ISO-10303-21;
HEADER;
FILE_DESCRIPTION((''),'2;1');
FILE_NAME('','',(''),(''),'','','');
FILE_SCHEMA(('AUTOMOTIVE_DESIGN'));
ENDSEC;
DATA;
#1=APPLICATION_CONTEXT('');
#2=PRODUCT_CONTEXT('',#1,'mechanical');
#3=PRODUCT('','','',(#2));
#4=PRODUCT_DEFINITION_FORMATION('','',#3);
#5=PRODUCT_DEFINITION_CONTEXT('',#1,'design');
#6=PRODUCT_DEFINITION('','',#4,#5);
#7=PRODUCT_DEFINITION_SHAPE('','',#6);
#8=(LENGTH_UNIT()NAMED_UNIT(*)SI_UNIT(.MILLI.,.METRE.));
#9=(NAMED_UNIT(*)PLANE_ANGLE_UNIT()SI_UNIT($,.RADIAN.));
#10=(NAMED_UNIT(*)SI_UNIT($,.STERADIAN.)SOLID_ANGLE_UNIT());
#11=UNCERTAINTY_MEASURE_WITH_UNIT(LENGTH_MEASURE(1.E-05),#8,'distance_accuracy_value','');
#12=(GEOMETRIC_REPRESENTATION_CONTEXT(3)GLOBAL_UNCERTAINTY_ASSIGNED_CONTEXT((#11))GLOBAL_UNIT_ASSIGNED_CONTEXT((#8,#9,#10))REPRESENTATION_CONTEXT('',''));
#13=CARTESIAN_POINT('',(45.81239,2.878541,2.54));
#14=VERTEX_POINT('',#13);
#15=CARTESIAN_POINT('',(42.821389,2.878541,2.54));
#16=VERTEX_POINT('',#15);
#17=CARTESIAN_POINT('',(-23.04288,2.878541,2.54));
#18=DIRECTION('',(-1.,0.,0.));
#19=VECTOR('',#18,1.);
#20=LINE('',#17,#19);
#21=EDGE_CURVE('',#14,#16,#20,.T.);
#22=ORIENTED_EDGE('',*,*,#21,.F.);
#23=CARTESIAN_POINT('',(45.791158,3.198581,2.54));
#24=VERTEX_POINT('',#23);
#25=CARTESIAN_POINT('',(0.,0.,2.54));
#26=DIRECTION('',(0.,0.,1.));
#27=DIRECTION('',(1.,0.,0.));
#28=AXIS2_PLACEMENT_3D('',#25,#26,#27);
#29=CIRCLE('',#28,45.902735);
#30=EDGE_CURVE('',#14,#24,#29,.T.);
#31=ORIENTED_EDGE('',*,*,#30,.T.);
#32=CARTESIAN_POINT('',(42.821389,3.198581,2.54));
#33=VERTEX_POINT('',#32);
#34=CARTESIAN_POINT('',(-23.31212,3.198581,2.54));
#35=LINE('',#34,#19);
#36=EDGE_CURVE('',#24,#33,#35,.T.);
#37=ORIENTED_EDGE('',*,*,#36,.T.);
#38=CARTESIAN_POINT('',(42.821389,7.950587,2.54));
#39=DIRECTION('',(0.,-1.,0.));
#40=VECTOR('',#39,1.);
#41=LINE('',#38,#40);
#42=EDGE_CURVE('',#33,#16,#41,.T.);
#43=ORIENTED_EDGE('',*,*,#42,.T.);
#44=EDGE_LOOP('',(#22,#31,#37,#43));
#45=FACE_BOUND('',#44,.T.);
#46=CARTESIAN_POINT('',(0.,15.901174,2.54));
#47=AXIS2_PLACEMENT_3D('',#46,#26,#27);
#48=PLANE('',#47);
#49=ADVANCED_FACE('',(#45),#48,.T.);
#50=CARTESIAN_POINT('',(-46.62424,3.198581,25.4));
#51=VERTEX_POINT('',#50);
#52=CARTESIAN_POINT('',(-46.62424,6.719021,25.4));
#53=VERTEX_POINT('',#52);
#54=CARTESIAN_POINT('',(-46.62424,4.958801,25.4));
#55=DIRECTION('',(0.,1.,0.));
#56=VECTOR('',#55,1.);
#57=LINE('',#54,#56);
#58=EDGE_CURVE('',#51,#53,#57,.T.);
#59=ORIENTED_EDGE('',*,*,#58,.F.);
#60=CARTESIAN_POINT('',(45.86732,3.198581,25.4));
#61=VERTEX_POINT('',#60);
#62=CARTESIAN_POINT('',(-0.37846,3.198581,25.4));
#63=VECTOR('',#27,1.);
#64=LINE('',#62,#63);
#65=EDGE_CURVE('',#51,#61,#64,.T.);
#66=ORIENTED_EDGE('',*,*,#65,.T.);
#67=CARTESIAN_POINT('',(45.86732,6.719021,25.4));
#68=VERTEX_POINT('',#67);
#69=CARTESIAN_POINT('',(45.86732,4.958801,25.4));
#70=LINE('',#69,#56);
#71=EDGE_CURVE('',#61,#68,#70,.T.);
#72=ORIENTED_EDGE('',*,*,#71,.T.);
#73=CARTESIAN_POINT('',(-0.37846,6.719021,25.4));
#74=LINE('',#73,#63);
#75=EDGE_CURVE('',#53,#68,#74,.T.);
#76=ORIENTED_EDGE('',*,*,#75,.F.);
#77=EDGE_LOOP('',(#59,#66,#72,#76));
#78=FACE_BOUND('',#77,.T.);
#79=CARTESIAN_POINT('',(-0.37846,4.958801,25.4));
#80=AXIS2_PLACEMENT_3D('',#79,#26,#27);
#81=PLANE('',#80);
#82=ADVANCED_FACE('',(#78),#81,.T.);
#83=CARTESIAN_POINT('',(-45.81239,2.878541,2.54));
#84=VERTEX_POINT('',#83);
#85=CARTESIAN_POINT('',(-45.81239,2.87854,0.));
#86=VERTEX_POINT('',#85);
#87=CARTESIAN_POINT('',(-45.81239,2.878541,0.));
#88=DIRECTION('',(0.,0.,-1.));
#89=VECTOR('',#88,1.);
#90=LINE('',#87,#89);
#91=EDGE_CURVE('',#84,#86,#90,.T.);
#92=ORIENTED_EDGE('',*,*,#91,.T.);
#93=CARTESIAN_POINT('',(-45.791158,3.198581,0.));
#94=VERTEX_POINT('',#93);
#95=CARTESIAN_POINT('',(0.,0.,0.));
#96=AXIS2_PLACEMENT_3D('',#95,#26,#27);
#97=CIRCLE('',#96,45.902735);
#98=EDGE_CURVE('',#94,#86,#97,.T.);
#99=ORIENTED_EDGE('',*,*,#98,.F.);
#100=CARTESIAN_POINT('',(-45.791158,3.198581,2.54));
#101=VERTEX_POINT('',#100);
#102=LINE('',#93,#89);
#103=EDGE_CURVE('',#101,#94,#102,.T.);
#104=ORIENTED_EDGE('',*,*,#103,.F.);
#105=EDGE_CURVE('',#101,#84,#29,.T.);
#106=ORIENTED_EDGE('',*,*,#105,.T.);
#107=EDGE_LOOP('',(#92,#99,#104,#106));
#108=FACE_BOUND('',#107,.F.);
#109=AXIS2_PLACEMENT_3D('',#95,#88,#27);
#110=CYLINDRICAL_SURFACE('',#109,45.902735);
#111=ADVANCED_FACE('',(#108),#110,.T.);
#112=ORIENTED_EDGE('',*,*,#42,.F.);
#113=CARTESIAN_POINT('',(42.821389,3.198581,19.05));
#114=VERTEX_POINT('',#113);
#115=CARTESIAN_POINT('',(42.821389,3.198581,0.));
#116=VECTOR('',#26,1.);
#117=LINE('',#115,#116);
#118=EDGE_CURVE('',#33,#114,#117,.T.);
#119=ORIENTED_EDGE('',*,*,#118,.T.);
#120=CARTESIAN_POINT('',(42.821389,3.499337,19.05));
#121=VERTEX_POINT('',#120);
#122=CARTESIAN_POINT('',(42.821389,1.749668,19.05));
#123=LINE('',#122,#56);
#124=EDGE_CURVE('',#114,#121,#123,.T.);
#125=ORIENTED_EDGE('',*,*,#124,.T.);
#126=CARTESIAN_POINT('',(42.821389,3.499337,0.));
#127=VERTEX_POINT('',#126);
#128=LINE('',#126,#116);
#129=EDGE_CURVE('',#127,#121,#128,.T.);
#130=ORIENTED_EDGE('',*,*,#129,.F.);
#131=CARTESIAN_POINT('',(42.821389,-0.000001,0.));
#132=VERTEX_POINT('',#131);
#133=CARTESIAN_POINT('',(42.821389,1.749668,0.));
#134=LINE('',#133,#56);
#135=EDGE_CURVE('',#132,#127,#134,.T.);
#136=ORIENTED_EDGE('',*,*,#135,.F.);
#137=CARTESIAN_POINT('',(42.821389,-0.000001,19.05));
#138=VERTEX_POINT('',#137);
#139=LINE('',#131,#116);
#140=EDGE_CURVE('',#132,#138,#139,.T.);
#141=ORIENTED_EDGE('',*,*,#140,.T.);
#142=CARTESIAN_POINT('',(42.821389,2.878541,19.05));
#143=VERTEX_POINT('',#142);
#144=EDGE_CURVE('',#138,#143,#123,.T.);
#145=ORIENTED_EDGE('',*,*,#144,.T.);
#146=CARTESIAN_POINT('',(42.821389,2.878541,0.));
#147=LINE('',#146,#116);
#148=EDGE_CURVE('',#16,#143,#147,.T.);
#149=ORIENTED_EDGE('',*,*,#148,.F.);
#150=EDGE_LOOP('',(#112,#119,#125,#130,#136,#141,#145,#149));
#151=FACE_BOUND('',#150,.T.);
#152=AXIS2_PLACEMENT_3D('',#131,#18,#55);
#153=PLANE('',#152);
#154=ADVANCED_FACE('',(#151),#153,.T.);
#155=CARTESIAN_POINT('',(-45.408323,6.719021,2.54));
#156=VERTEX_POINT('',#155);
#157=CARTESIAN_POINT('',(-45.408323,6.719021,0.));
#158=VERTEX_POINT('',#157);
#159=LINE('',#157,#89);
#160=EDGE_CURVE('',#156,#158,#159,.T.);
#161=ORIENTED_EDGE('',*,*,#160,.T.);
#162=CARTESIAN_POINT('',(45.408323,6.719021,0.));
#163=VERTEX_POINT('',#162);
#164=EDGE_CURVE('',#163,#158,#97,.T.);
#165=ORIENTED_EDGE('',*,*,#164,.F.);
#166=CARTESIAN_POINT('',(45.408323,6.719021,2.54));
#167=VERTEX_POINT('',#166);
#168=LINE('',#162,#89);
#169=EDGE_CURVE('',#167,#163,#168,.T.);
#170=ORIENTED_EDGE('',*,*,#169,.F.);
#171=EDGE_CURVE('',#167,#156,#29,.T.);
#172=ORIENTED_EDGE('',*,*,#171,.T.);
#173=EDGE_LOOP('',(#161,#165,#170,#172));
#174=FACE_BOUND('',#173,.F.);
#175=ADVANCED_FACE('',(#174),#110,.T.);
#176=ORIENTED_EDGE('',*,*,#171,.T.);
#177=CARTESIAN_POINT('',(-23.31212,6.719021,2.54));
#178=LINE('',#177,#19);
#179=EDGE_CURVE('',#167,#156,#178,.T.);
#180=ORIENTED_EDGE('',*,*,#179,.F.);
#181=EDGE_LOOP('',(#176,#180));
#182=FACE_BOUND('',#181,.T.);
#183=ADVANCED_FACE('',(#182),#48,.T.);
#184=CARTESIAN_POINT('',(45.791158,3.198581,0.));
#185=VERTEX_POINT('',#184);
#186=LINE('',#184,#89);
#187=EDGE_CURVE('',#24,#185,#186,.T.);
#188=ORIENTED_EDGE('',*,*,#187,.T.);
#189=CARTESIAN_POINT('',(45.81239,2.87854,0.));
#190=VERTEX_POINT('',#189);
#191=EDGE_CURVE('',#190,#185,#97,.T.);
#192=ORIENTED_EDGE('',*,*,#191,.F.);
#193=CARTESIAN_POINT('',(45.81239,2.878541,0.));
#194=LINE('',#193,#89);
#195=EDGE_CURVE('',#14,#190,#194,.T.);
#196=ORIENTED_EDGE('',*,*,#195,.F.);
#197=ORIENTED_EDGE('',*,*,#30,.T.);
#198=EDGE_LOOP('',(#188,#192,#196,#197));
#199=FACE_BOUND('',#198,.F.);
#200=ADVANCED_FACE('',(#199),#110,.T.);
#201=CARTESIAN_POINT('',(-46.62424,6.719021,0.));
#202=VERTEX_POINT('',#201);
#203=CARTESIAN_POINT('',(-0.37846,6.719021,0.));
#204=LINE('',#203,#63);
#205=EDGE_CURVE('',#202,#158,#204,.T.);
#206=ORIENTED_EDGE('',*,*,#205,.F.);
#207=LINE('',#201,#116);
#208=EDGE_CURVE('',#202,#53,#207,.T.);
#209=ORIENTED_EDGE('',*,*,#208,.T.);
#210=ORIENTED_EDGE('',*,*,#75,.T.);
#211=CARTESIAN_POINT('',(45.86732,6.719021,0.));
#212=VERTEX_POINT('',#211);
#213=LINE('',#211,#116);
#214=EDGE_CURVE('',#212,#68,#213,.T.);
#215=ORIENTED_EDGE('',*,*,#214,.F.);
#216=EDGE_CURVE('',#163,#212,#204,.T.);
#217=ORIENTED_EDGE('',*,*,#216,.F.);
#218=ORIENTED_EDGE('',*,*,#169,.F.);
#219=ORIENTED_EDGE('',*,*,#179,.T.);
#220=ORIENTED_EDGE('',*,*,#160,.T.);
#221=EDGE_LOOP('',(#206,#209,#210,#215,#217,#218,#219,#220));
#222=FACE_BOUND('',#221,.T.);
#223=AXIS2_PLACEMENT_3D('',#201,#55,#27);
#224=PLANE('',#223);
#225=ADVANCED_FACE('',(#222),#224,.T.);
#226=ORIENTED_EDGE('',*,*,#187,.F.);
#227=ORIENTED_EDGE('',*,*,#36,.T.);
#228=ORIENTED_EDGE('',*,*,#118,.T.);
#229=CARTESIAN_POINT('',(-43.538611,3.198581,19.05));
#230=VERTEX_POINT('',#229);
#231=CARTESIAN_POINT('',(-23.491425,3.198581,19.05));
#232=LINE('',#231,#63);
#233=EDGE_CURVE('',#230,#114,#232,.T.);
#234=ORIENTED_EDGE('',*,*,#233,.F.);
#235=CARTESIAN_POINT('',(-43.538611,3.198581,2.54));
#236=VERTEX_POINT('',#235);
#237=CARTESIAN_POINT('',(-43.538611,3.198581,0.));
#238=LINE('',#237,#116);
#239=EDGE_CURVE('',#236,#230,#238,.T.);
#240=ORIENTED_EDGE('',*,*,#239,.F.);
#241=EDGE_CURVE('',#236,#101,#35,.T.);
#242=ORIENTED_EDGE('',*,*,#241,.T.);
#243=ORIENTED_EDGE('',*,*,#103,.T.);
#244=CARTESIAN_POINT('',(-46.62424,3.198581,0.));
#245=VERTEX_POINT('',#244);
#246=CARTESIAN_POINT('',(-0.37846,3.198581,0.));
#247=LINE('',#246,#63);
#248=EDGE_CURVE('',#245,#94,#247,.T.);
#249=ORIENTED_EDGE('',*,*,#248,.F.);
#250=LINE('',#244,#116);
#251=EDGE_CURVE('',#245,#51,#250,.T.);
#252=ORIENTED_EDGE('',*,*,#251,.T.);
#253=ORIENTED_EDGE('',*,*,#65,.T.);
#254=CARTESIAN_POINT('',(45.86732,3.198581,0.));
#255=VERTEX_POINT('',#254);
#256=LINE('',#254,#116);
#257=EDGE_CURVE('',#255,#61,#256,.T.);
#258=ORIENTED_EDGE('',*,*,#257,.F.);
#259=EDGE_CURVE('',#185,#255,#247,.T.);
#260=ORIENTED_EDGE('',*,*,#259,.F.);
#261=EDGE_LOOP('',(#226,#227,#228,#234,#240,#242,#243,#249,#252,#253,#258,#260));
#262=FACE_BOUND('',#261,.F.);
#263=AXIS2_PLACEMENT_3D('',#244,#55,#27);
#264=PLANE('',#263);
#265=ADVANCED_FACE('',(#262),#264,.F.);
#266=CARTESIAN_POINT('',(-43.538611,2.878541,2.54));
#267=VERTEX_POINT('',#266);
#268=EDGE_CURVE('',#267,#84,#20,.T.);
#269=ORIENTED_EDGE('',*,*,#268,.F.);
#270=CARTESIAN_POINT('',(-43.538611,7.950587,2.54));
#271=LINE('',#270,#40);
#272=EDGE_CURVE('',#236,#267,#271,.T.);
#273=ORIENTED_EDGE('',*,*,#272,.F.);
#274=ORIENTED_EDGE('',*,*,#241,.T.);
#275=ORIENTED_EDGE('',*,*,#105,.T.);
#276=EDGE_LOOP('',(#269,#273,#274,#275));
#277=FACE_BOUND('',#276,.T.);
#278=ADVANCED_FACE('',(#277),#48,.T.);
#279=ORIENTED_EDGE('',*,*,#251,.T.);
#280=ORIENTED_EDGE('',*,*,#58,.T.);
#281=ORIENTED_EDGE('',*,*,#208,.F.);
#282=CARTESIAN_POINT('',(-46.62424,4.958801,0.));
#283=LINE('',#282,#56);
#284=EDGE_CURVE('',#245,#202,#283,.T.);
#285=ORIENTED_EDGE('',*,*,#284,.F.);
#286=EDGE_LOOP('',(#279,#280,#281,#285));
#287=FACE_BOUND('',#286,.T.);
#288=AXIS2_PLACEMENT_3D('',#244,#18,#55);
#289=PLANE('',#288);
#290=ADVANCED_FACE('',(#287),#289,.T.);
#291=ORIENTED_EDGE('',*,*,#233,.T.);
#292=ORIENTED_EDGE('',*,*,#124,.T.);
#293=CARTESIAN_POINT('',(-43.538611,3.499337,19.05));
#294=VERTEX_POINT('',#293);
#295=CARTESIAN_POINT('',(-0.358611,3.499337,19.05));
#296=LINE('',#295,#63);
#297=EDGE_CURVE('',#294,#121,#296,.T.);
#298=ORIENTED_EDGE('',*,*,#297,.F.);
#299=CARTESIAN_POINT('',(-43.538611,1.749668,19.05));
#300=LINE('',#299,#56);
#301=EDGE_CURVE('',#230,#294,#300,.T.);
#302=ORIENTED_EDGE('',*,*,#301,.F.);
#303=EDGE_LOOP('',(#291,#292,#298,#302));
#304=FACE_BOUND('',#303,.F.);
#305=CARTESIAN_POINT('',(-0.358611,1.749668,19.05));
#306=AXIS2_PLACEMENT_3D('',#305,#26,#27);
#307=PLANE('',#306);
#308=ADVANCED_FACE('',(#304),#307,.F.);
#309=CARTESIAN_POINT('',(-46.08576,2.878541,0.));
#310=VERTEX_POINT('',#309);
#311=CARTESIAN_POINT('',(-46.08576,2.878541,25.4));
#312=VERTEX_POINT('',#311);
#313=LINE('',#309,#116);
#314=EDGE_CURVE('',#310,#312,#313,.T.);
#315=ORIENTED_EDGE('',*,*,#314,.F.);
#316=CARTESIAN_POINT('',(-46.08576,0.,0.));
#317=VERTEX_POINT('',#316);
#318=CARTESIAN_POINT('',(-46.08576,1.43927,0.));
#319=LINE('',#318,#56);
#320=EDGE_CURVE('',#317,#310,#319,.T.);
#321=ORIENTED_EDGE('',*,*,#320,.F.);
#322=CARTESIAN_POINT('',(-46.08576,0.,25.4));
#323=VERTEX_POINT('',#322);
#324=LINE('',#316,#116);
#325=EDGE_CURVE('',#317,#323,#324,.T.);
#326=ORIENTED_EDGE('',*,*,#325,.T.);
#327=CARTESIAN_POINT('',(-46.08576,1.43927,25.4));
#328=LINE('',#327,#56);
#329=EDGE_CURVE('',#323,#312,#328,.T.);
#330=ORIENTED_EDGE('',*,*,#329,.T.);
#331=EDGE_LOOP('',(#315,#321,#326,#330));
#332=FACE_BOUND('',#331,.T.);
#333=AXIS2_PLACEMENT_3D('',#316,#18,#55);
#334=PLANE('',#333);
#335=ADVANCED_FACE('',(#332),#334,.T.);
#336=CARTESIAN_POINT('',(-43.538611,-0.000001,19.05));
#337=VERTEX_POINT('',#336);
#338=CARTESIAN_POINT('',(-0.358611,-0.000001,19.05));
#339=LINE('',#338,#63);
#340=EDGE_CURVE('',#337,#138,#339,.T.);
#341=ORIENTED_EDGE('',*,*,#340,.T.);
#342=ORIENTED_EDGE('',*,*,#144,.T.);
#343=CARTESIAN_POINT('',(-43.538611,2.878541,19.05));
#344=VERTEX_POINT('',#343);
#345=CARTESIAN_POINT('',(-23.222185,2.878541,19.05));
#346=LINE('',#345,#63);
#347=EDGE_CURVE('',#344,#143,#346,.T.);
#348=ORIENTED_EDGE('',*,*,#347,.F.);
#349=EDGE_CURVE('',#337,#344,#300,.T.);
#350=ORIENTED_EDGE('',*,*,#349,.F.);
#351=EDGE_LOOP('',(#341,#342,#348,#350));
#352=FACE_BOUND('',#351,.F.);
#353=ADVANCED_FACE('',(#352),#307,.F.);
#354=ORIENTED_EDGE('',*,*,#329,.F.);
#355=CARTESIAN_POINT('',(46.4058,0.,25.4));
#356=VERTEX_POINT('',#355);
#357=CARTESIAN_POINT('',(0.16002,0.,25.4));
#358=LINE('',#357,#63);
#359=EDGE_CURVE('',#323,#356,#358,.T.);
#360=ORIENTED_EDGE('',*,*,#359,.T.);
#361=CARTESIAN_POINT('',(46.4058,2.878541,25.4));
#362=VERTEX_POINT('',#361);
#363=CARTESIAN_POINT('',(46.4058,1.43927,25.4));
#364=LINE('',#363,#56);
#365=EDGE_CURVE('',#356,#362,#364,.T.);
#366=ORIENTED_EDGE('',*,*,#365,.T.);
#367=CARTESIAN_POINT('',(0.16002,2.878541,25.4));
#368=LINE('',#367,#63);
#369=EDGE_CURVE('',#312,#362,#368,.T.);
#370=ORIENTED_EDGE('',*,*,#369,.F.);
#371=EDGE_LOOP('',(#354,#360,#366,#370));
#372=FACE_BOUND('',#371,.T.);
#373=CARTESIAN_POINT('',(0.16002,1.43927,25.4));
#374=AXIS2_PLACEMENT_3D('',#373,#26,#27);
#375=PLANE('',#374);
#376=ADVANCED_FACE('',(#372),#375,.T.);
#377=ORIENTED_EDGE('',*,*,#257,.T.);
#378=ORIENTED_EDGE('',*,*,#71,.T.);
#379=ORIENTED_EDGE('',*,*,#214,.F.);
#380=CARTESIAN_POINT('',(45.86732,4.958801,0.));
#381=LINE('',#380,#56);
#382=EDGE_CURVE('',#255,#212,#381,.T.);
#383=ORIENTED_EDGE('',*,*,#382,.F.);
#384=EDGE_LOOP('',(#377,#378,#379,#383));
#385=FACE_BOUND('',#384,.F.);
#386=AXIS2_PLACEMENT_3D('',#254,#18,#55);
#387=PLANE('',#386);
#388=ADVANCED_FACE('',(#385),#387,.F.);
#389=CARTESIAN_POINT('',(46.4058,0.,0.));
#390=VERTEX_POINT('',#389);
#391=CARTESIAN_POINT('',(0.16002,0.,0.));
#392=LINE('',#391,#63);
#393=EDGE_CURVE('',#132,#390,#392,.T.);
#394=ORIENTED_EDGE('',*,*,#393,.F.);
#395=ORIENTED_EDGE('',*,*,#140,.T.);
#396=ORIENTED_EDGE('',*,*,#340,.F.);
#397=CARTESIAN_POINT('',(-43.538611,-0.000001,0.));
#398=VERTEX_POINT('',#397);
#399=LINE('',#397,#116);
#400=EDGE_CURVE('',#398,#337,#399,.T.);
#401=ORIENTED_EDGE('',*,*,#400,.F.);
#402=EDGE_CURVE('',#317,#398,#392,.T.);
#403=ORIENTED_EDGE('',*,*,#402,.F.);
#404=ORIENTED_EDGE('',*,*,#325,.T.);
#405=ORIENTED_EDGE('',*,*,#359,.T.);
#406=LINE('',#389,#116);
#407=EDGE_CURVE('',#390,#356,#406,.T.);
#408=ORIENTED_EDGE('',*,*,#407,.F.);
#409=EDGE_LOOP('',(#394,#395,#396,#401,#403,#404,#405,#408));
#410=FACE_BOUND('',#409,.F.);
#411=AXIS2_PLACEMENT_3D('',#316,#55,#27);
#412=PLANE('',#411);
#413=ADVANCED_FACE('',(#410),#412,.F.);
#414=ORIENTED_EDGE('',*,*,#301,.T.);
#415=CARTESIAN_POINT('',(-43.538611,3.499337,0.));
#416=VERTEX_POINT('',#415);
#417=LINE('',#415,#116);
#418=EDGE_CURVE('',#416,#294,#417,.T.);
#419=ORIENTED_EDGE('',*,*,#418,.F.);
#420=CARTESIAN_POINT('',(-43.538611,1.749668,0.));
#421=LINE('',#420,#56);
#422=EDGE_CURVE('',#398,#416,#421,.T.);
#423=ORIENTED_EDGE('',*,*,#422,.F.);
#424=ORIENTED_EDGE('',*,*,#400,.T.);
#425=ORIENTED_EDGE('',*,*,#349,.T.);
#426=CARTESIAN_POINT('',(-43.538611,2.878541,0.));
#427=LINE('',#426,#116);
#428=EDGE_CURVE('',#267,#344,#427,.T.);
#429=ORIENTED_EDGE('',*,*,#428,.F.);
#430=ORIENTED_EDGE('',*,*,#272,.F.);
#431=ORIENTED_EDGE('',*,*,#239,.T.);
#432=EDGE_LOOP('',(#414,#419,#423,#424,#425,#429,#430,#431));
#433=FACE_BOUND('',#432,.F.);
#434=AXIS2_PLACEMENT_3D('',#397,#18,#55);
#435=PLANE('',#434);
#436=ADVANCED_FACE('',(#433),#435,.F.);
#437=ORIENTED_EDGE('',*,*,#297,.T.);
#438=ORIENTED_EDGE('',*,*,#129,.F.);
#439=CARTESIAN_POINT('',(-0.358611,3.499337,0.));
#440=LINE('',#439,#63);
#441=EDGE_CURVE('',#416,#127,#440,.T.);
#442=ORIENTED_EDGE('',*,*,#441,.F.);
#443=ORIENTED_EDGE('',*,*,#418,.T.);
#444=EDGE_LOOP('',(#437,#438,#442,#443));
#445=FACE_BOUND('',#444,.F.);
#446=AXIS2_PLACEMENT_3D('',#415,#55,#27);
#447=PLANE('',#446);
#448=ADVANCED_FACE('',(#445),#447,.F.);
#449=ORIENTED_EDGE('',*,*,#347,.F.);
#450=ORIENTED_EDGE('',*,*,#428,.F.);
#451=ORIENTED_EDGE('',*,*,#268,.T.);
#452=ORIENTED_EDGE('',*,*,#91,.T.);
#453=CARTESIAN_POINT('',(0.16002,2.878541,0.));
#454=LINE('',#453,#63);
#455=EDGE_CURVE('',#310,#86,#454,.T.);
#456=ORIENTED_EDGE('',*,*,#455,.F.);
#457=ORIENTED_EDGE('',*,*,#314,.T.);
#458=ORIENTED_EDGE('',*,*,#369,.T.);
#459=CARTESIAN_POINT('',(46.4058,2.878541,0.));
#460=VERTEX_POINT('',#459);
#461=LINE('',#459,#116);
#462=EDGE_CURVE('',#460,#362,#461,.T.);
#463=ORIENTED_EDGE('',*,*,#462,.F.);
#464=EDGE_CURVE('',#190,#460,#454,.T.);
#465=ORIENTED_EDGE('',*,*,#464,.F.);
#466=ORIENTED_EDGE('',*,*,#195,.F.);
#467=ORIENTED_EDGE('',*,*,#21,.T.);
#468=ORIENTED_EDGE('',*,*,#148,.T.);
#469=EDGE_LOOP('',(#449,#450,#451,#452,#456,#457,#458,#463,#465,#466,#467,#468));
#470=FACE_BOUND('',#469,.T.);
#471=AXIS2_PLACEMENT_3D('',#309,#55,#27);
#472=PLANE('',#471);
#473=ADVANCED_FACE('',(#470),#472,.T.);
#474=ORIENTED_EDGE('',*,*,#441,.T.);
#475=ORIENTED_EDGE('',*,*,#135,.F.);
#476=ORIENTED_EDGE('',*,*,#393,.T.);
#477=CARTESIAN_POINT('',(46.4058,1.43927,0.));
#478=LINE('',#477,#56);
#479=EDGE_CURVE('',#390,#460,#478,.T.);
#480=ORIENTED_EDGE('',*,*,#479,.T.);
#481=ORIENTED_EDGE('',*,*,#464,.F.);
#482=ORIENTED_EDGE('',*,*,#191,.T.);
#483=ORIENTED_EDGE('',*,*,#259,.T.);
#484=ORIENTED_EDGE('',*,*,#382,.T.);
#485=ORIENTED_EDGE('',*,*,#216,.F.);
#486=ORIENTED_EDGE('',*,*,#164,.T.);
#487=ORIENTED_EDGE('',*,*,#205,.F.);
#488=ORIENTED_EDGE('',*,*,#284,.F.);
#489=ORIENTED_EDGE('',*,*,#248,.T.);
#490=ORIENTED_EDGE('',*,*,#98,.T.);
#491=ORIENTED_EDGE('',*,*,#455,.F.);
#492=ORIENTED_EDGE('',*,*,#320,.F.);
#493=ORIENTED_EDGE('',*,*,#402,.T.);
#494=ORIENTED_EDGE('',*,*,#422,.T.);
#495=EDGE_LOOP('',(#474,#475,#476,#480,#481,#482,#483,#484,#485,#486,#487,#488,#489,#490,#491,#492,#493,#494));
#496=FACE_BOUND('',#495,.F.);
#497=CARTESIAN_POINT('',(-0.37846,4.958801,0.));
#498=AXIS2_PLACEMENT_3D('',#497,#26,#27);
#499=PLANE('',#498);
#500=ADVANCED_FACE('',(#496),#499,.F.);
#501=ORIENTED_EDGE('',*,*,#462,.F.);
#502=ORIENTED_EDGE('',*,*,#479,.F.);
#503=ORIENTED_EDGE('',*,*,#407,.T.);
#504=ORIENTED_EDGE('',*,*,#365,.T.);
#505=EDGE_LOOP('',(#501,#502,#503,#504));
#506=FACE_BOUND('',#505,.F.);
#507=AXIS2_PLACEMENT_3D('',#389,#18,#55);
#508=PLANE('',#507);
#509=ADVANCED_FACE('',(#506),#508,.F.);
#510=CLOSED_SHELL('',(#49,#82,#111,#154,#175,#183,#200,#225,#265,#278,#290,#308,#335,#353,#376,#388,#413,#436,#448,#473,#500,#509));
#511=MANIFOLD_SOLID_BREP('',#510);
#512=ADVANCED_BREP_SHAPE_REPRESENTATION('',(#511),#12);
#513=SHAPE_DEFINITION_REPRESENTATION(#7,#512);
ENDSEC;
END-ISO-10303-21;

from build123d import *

# Parameters (mm, degrees)
F1_DEPTH = 2.54
F2_W     = 92.49156
F2_H     = 2.878541
F3_DEPTH = 25.4
F4_W     = 92.49156
F4_H     = 3.52044
F5_DEPTH = 25.4
F6_W     = 86.36
F6_H     = 3.499337
F7_DEPTH = 19.05


with BuildPart() as f1:
    # F0 (on Top) → F1 (new body)
    with BuildSketch(Plane.XY):
        with BuildLine():
            Line((-45.902735, 0), (45.902735, 0))
            ThreePointArc((45.902735, 0), (0, 45.902735), (-45.902735, 0))
        make_face()
    extrude(amount=F1_DEPTH)

    # F2 (on Top) → F3 (join)
    with BuildSketch(Plane.XY):
        with Locations((0.16002, 1.43927)):
            Rectangle(F2_W, F2_H)
    extrude(amount=F3_DEPTH)

    # F4 (on Top) → F5 (join)
    with BuildSketch(Plane.XY):
        with Locations((-0.37846, 4.958801)):
            Rectangle(F4_W, F4_H)
    extrude(amount=F5_DEPTH)

    # F6 (on Top) → F7 (cut)
    with BuildSketch(Plane.XY):
        with Locations((-0.358611, 1.749668)):
            Rectangle(F6_W, F6_H)
    extrude(amount=F7_DEPTH, mode=Mode.SUBTRACT)


solid = f1.part
